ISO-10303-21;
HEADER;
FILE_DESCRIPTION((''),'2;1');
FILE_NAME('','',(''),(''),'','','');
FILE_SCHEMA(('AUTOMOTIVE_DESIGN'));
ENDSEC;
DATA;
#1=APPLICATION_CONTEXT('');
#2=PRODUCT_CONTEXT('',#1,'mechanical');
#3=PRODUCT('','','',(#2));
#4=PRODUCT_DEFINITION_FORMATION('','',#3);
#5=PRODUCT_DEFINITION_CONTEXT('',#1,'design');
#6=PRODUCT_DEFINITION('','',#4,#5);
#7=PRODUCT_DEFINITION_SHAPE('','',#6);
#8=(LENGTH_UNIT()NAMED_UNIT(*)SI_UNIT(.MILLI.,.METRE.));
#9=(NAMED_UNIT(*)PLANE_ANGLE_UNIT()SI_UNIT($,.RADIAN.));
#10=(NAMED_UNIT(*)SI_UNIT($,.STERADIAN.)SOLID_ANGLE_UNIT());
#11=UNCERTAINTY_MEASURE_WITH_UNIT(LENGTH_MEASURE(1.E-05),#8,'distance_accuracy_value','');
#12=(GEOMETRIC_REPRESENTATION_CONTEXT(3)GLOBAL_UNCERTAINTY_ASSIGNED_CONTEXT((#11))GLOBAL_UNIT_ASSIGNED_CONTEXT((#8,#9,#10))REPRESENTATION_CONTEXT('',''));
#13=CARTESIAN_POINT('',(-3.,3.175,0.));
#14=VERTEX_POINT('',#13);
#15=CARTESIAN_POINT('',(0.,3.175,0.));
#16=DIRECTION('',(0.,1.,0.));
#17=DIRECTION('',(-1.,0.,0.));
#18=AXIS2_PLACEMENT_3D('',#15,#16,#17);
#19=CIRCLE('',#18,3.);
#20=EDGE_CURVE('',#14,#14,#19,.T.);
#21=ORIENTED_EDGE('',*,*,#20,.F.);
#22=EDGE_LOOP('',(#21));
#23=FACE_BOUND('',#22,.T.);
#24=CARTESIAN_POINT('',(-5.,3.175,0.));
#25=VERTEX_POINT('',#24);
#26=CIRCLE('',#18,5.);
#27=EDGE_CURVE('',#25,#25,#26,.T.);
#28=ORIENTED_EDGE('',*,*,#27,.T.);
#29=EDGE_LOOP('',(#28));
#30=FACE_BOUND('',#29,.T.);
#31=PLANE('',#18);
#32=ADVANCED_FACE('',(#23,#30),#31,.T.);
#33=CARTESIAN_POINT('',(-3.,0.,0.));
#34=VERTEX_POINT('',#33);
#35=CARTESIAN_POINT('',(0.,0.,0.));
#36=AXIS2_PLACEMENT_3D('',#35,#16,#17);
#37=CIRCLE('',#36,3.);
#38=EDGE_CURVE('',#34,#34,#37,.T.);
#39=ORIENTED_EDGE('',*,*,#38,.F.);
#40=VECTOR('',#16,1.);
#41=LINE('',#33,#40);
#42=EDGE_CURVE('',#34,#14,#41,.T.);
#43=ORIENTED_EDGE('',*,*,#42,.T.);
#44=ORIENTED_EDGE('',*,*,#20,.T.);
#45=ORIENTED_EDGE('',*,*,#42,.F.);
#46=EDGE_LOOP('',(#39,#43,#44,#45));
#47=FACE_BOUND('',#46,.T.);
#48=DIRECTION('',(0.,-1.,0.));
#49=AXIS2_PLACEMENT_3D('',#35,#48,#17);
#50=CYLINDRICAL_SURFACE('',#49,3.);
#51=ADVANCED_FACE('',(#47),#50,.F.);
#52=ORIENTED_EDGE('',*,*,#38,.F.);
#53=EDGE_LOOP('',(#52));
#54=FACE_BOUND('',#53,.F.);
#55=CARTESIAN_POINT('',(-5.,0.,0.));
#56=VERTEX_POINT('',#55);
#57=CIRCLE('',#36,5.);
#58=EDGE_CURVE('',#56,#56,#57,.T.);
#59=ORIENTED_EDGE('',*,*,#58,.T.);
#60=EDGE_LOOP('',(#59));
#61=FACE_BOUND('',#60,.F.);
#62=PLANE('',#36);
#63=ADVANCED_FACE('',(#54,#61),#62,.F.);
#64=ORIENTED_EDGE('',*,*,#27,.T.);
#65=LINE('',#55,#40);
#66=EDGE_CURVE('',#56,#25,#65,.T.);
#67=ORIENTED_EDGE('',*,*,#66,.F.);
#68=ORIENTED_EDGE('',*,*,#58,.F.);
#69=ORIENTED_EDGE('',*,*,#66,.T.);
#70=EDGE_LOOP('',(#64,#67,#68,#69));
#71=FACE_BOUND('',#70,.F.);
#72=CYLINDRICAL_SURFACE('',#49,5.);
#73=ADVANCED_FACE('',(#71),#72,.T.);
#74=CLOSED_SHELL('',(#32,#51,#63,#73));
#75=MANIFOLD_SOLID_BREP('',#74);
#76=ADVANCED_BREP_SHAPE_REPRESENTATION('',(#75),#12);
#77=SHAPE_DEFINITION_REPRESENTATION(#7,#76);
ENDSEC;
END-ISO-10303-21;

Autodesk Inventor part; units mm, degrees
ref_plane "YZ Plane" through (0, 0, 0) normal (1, 0, 0) x (0, 1, 0)
ref_plane "XZ Plane" through (0, 0, 0) normal (0, 1, 0) x (-1, 0, 0)
ref_plane "XY Plane" through (0, 0, 0) normal (0, 0, 1) x (1, 0, 0)
sketch "Sketch1" plane through (0, 0, 0) normal (0, 1, 0) x (-1, 0, 0)
  circle A0 centre (0, 0) radius 3
  circle A1 centre (0, 0) radius 5
  dimension "d0" = 6
  dimension "d2" = 2
extrude "Extrusion1" add sketch "Sketch1" along normal blind 3.175
properties part number "Nylon Spacer 0.125" material "Nylon 6/6"
